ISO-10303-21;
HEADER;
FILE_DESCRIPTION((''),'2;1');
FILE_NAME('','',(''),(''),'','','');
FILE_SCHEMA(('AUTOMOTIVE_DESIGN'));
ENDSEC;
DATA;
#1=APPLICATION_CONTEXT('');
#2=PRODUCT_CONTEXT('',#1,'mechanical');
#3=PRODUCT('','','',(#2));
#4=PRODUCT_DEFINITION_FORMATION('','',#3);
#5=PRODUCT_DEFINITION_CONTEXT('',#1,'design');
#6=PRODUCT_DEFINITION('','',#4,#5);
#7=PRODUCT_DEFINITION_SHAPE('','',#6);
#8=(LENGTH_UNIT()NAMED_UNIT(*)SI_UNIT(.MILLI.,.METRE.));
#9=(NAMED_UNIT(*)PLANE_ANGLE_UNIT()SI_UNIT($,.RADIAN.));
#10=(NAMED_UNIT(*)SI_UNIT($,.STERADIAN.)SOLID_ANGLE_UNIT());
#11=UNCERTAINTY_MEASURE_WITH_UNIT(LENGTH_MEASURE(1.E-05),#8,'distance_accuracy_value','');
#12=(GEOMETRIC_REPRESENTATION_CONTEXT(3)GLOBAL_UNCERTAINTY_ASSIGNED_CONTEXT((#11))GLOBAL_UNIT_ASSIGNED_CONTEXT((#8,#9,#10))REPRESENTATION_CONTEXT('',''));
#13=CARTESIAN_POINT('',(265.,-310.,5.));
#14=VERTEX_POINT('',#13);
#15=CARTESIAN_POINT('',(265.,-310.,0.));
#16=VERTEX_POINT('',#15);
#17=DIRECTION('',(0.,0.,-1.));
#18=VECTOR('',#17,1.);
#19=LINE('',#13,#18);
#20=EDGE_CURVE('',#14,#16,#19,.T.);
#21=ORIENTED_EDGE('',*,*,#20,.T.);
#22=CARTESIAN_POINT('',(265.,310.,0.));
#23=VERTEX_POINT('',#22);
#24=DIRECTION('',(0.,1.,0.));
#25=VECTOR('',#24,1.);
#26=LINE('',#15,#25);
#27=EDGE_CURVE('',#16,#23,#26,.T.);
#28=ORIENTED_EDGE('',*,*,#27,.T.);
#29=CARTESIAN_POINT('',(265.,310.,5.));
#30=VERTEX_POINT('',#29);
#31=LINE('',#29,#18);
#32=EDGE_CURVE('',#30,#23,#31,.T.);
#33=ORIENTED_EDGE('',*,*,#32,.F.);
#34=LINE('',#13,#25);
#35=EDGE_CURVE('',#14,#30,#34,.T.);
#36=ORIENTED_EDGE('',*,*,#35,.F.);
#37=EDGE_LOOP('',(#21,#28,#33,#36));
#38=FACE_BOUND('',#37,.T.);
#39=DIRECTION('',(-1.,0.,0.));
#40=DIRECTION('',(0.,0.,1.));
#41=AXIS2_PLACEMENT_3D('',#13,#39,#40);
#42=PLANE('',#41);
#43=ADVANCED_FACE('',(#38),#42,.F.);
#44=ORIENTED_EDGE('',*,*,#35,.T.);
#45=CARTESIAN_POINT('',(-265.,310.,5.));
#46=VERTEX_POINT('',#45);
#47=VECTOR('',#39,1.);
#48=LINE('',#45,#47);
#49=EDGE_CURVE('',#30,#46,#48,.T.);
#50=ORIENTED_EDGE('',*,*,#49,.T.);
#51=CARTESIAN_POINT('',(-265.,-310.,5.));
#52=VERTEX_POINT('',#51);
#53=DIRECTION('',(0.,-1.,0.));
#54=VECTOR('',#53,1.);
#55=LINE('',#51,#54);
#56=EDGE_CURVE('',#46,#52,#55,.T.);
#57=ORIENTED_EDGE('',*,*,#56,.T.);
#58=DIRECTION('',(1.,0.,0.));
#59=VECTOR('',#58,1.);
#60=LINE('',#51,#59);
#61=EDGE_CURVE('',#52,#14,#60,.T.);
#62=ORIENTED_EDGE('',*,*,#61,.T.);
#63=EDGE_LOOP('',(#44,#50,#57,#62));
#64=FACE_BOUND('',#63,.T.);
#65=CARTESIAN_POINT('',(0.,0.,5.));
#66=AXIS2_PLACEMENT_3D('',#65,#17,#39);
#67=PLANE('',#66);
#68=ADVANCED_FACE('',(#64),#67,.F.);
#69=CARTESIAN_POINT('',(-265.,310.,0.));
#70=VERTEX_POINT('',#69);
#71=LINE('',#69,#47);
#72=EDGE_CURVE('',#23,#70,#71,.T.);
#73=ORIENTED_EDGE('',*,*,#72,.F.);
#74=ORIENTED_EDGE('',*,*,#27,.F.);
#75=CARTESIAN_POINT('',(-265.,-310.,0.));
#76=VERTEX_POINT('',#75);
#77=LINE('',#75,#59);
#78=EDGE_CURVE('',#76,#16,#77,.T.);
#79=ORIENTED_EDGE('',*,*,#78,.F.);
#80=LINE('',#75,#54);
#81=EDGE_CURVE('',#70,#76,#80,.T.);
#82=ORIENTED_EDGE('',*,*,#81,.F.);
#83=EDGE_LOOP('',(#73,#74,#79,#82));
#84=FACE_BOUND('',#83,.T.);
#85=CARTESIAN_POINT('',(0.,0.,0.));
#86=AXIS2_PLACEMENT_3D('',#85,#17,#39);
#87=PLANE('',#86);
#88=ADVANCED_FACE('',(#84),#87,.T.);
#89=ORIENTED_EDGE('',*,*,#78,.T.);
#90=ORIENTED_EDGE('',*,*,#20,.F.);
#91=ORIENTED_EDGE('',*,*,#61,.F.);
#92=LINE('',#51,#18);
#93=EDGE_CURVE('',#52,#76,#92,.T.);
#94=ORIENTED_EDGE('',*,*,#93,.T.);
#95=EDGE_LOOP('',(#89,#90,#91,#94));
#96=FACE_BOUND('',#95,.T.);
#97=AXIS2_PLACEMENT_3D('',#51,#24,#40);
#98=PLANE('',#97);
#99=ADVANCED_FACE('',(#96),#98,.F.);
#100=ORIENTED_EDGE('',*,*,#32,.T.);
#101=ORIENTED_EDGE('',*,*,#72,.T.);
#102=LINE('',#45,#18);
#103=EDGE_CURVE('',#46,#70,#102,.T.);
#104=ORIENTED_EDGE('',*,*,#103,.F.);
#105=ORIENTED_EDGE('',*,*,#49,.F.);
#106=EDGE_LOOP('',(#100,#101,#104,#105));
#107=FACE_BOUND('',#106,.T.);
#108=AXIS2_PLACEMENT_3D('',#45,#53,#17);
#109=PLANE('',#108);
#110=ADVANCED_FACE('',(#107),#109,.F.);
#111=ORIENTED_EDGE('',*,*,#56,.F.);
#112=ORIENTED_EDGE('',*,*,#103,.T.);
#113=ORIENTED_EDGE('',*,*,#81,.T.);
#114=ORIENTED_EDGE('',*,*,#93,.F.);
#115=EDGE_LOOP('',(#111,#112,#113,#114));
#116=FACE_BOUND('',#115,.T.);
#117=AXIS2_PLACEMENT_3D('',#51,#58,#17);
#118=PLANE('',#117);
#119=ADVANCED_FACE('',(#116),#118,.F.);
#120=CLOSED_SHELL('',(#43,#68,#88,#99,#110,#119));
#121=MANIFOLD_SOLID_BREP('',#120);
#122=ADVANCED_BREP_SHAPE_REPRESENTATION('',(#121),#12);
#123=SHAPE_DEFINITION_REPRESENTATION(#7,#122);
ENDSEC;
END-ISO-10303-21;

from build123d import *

# Parameters (mm, degrees)
ESQUISSE1_W        = 530
ESQUISSE1_H        = 620
BOSS_EXTRU_1_DEPTH = 5


with BuildPart() as part:
    # Esquisse1 → Boss.-Extru.1 (new body)
    with BuildSketch(Plane.XY):
        Rectangle(ESQUISSE1_W, ESQUISSE1_H)
    extrude(amount=BOSS_EXTRU_1_DEPTH)


solid = part.part
